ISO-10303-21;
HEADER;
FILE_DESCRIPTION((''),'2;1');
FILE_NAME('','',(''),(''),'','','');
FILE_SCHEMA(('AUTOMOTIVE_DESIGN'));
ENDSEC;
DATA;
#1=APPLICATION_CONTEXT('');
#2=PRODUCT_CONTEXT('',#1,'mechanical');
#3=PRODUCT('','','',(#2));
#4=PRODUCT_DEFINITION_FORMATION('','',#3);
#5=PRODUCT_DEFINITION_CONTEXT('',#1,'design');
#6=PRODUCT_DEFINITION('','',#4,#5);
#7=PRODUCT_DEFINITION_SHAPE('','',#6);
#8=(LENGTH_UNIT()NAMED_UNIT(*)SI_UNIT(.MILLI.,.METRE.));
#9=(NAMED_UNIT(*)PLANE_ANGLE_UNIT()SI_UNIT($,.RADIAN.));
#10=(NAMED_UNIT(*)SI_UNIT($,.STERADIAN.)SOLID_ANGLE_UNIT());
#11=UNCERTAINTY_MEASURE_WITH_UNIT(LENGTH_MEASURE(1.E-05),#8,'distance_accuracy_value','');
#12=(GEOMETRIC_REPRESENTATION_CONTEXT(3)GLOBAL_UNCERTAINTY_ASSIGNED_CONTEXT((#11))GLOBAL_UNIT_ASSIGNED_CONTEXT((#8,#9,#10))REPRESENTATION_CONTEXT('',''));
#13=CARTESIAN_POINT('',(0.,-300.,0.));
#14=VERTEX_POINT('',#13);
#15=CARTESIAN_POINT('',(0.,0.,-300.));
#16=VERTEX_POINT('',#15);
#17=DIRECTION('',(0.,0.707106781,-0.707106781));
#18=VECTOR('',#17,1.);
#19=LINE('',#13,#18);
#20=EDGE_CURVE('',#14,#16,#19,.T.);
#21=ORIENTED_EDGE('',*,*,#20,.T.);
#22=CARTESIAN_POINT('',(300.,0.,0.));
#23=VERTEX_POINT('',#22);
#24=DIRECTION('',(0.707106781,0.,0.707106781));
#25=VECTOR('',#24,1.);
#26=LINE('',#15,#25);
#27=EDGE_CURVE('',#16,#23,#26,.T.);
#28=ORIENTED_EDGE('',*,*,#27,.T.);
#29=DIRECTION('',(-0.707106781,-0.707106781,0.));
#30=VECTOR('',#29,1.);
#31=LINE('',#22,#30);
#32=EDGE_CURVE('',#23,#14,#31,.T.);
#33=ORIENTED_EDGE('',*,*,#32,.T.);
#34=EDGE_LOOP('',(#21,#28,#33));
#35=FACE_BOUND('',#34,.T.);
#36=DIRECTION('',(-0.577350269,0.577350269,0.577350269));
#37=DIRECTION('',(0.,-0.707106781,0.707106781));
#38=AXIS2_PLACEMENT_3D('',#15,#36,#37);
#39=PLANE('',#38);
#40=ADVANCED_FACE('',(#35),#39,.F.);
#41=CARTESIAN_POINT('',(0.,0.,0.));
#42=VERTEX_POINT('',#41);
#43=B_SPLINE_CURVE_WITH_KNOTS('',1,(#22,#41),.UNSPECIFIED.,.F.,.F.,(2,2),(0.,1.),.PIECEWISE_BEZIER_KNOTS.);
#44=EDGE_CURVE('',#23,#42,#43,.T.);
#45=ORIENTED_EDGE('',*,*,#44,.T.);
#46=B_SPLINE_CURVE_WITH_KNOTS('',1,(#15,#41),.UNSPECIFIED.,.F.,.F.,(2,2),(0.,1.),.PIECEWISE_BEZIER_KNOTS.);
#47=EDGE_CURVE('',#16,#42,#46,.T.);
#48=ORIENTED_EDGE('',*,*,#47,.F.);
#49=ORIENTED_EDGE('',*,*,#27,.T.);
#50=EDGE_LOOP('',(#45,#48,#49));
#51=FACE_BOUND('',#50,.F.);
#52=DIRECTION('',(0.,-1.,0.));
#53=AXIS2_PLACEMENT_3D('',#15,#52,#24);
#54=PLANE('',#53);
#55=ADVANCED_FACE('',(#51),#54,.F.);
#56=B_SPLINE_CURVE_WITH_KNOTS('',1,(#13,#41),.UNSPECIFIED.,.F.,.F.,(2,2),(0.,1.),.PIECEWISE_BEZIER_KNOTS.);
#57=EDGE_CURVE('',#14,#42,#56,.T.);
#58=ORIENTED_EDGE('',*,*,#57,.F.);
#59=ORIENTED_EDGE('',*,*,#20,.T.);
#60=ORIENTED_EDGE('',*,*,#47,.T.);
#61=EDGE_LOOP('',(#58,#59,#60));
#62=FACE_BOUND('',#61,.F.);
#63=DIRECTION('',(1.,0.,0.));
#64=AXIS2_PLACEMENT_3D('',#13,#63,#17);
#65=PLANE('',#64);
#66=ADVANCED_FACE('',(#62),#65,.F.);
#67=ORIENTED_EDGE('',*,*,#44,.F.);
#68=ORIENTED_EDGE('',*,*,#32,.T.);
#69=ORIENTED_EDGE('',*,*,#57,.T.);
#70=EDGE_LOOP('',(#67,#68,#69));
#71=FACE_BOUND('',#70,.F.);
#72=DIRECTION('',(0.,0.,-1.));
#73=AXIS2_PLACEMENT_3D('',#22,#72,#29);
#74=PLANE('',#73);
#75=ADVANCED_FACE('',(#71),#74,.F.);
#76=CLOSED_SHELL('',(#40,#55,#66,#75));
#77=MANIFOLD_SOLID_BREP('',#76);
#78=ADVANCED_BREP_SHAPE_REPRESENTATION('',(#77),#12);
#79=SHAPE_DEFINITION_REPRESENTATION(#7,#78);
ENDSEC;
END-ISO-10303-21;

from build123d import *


with BuildPart() as f4:
    # F3 (on 3pt) → F4 section 0
    with BuildSketch(Plane(origin=(100, -100, -100), x_dir=(0.8164965809, 0.4082482905, 0.4082482905), z_dir=(0.5773502692, -0.5773502692, -0.5773502692)), mode=Mode.PRIVATE) as f4_s0:
        Polygon((-122.4744871392, -212.132034356), (244.9489742783, 0), (-122.4744871392, 212.132034356), align=None)
    loft([f4_s0.sketch, Vertex(0, 0, 0)])


solid = f4.part
